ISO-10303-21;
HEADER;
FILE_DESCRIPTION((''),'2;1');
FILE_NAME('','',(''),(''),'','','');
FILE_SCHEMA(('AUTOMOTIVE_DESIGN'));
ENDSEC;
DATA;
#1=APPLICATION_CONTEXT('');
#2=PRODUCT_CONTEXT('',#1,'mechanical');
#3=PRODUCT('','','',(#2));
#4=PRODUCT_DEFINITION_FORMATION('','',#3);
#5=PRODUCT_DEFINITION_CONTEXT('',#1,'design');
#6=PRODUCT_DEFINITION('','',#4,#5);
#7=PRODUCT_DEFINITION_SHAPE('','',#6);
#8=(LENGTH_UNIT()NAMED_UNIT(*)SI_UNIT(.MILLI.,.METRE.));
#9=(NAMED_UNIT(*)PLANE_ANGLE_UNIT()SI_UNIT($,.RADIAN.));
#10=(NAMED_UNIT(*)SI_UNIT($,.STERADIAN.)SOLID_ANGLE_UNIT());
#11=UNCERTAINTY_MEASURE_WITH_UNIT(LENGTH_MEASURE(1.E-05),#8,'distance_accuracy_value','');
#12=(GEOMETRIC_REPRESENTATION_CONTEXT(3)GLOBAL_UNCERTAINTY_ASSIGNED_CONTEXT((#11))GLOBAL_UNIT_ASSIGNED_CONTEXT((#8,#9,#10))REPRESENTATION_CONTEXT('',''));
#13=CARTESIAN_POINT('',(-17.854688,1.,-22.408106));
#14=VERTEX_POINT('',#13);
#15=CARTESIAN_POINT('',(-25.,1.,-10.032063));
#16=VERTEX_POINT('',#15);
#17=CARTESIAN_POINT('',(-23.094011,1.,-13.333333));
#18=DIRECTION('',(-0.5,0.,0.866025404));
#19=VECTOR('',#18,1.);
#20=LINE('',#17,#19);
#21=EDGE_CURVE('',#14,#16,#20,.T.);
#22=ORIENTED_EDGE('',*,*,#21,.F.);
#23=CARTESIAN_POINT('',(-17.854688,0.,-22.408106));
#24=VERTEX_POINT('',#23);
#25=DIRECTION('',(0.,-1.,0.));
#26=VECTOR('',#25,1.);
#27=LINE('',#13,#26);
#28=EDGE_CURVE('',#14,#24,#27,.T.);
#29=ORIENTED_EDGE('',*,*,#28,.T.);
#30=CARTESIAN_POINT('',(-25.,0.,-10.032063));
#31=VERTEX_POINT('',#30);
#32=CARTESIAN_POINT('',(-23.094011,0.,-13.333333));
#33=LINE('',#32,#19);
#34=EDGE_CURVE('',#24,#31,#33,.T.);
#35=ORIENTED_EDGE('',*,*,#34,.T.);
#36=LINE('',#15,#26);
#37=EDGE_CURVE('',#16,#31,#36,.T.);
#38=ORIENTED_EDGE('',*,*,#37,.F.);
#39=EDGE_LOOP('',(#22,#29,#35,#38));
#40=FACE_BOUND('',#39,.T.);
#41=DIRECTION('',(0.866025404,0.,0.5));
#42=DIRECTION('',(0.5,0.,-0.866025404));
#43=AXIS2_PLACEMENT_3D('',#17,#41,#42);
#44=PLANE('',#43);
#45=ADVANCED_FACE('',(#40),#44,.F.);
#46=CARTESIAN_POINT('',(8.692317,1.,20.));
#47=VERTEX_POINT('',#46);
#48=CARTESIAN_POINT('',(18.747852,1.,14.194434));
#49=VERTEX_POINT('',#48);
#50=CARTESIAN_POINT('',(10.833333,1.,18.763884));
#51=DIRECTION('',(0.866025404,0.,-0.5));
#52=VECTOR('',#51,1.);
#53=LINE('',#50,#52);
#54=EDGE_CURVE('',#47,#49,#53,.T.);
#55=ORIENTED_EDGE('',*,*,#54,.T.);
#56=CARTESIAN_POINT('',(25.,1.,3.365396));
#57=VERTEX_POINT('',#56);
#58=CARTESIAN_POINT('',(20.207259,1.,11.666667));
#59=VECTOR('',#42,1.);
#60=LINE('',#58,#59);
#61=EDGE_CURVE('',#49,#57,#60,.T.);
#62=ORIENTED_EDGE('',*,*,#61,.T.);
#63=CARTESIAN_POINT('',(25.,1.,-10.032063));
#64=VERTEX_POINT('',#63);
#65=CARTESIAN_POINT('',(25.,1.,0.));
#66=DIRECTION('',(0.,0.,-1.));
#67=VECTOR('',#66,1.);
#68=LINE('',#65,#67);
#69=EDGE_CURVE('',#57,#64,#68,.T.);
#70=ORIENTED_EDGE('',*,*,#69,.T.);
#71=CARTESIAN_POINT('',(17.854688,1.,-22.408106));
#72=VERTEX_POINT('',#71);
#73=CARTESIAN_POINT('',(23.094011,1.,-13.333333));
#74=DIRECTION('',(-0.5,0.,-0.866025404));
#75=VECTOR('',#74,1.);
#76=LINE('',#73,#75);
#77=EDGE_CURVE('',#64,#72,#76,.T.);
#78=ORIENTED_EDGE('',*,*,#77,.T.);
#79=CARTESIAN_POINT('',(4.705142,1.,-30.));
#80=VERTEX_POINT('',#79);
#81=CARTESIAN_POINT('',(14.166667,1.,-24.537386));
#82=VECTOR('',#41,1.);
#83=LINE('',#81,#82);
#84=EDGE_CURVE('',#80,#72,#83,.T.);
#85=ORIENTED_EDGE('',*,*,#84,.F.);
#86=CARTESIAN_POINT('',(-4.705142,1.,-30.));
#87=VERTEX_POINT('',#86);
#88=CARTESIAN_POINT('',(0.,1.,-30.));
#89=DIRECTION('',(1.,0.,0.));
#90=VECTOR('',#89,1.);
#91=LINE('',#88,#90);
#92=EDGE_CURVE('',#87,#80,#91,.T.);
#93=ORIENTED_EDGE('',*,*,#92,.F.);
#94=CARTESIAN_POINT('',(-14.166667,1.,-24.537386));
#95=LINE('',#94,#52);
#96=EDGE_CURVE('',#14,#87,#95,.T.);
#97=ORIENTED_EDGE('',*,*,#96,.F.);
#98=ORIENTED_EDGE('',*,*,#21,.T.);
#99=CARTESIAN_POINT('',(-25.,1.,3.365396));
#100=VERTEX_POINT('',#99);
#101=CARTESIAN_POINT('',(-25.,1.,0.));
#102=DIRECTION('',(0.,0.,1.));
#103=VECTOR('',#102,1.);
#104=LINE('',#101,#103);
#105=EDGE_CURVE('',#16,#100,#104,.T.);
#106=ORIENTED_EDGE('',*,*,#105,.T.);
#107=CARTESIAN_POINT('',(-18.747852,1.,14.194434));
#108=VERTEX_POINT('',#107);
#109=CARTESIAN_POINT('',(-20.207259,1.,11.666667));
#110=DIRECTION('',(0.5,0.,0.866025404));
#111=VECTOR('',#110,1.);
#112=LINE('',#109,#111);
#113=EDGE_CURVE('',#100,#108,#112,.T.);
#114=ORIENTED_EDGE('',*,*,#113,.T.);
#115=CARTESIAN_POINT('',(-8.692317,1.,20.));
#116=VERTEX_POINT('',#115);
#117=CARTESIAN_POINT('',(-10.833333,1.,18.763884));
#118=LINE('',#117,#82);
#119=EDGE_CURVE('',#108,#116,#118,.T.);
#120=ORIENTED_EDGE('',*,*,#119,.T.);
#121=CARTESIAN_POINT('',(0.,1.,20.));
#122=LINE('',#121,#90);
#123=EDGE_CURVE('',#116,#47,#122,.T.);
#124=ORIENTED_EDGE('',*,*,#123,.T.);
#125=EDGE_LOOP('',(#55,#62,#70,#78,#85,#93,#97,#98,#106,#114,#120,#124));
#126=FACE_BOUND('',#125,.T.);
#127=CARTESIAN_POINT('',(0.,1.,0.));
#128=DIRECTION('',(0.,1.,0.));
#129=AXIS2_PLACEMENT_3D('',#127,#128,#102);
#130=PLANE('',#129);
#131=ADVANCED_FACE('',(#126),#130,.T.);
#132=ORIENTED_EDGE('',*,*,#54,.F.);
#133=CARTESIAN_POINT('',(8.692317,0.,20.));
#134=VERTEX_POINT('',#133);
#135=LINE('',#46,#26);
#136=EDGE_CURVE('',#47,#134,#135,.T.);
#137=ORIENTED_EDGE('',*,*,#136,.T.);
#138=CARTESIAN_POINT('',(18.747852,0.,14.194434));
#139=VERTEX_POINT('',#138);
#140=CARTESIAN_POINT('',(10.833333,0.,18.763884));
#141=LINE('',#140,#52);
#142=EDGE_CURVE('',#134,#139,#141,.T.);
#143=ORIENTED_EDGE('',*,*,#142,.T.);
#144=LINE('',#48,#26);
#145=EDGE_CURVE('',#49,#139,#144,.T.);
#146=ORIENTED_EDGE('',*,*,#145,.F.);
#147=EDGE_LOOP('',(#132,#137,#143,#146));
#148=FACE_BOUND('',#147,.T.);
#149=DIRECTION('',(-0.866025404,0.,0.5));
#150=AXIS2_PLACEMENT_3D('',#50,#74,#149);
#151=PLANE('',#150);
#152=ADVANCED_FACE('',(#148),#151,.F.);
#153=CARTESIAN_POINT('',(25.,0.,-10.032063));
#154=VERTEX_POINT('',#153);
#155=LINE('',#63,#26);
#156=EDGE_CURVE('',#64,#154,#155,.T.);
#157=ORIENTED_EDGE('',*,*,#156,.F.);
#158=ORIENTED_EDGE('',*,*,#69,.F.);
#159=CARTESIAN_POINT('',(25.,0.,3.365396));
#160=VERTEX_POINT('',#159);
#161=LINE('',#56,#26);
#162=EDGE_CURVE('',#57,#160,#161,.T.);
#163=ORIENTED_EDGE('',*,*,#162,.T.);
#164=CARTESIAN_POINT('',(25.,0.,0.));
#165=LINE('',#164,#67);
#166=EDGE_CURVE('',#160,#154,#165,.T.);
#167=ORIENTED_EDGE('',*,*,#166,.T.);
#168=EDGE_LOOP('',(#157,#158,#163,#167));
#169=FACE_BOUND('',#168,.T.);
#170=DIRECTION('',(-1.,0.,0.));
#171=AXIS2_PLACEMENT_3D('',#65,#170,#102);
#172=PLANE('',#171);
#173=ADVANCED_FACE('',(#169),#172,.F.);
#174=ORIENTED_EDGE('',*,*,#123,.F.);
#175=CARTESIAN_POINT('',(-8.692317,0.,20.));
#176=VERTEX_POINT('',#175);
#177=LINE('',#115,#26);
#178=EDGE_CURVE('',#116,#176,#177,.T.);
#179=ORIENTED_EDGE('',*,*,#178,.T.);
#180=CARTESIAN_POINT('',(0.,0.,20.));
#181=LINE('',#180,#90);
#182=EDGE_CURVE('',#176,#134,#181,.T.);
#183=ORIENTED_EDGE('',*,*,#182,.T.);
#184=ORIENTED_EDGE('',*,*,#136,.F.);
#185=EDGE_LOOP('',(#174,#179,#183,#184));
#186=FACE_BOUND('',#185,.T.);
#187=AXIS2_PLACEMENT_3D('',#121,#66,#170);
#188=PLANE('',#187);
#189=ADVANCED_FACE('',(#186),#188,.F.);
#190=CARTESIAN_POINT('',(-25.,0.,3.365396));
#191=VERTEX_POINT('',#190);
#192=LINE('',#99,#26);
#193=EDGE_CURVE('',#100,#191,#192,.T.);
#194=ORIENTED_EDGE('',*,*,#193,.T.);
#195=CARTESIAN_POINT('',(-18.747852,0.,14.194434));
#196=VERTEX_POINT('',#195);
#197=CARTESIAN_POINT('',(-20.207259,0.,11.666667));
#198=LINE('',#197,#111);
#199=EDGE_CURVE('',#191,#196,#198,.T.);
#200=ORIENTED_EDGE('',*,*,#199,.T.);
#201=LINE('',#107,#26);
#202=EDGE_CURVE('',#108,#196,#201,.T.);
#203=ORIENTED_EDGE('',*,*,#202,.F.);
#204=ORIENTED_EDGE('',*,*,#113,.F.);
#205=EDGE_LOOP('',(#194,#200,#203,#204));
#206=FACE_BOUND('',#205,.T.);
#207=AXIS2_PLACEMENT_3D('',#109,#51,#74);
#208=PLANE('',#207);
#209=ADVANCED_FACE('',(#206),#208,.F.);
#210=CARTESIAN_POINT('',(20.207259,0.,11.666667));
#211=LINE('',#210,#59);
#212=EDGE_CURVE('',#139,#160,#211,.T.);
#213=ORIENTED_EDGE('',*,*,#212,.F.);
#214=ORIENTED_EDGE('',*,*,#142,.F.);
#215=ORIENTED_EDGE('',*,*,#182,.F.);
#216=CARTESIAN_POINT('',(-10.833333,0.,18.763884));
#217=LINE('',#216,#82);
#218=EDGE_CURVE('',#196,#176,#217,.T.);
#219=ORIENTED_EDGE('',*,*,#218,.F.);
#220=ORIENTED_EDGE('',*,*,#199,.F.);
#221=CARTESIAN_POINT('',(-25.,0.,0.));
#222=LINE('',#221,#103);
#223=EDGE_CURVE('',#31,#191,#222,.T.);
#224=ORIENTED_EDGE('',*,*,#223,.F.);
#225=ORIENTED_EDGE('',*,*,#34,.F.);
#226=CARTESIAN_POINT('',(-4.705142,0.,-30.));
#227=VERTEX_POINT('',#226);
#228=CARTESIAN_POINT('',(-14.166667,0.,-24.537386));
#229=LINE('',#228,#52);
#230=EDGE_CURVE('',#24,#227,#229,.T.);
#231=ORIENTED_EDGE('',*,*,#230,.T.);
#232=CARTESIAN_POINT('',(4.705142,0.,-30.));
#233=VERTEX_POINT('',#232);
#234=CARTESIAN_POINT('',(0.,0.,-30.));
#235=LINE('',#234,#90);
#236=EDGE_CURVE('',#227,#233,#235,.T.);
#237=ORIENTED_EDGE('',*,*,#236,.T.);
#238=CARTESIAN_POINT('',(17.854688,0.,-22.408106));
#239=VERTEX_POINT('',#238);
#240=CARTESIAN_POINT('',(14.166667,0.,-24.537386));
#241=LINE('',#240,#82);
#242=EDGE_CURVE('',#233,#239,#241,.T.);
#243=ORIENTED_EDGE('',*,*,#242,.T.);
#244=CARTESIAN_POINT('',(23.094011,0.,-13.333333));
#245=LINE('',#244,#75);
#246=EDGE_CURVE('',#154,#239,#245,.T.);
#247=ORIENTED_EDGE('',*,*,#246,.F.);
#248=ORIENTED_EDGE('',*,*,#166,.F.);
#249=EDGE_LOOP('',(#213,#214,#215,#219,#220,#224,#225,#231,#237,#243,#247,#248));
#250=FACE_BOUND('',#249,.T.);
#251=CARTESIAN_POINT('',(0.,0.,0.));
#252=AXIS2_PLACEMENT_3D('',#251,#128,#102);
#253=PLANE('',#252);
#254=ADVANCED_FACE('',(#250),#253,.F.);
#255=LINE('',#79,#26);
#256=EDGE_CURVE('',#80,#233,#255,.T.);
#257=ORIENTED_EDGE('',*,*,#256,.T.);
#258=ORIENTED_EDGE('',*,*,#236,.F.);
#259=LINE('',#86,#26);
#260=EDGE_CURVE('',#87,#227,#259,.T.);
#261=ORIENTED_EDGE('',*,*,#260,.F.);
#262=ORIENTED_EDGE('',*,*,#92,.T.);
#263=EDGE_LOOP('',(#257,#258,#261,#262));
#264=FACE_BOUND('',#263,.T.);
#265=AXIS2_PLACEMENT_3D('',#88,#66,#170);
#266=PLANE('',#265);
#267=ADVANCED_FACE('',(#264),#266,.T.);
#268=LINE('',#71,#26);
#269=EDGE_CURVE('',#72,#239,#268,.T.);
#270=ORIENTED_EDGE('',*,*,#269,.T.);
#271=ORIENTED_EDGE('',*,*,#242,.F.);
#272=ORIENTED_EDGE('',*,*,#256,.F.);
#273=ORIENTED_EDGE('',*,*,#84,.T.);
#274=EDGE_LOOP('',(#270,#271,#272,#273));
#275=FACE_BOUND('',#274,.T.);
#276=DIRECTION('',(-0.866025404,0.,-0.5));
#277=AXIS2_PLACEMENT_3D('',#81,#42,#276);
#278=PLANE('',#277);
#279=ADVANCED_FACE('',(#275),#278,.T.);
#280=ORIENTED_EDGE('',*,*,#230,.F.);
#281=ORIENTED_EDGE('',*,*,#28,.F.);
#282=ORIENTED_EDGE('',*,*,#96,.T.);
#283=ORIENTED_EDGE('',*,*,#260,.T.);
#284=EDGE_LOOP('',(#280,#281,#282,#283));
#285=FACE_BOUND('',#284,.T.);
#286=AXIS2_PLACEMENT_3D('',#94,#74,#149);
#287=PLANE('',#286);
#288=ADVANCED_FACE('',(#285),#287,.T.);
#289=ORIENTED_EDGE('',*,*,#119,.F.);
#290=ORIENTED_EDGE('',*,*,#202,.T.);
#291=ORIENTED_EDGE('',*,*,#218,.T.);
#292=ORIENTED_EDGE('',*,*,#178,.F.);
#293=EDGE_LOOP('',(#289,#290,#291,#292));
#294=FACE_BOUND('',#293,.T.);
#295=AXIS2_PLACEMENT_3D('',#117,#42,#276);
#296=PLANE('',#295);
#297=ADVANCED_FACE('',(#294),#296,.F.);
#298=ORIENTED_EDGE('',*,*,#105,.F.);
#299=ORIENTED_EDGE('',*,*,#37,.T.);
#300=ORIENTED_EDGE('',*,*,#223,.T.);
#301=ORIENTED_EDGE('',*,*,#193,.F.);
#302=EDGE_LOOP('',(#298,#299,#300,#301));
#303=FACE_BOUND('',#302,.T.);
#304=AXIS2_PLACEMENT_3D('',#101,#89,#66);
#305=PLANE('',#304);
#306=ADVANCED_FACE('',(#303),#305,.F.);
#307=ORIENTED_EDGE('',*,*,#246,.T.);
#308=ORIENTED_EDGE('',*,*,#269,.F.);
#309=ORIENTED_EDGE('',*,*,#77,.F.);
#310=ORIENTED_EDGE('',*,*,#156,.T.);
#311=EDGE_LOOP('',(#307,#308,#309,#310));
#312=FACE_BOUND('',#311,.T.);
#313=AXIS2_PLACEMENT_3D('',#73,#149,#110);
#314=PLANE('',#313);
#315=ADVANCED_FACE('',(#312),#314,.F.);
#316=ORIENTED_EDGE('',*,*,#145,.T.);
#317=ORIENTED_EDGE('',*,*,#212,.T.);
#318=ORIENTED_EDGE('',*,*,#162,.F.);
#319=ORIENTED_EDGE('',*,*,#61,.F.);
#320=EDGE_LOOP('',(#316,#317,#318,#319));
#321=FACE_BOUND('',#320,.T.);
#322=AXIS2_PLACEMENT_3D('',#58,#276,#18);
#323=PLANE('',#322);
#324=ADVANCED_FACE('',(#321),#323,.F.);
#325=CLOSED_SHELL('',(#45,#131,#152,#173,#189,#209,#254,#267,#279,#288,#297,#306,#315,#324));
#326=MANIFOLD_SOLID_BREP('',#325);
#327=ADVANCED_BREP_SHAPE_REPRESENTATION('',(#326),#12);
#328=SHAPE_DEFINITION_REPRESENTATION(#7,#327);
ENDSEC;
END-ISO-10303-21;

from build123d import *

# Parameters (mm, degrees)
AUFSATZ_LINEAR_AUSTRAGEN1_DEPTH = 1


with BuildPart() as part:
    # Skizze1 → Aufsatz-Linear austragen1 (new body)
    with BuildSketch(Plane(origin=(0, 0, 0), x_dir=(1, 0, 0), z_dir=(0, 1, 0))):
        Polygon((4.70514244, 30), (-4.70514244, 30), (-17.854688202, 22.408106214), (-25, 10.032063144), (-25, -3.365396477), (-18.747852177, -14.194434164), (-8.692317182, -20), (8.692317182, -20), (18.747852177, -14.194434164), (25, -3.365396477), (25, 10.032063144), (17.854688202, 22.408106214), align=None)
    extrude(amount=AUFSATZ_LINEAR_AUSTRAGEN1_DEPTH)


solid = part.part
